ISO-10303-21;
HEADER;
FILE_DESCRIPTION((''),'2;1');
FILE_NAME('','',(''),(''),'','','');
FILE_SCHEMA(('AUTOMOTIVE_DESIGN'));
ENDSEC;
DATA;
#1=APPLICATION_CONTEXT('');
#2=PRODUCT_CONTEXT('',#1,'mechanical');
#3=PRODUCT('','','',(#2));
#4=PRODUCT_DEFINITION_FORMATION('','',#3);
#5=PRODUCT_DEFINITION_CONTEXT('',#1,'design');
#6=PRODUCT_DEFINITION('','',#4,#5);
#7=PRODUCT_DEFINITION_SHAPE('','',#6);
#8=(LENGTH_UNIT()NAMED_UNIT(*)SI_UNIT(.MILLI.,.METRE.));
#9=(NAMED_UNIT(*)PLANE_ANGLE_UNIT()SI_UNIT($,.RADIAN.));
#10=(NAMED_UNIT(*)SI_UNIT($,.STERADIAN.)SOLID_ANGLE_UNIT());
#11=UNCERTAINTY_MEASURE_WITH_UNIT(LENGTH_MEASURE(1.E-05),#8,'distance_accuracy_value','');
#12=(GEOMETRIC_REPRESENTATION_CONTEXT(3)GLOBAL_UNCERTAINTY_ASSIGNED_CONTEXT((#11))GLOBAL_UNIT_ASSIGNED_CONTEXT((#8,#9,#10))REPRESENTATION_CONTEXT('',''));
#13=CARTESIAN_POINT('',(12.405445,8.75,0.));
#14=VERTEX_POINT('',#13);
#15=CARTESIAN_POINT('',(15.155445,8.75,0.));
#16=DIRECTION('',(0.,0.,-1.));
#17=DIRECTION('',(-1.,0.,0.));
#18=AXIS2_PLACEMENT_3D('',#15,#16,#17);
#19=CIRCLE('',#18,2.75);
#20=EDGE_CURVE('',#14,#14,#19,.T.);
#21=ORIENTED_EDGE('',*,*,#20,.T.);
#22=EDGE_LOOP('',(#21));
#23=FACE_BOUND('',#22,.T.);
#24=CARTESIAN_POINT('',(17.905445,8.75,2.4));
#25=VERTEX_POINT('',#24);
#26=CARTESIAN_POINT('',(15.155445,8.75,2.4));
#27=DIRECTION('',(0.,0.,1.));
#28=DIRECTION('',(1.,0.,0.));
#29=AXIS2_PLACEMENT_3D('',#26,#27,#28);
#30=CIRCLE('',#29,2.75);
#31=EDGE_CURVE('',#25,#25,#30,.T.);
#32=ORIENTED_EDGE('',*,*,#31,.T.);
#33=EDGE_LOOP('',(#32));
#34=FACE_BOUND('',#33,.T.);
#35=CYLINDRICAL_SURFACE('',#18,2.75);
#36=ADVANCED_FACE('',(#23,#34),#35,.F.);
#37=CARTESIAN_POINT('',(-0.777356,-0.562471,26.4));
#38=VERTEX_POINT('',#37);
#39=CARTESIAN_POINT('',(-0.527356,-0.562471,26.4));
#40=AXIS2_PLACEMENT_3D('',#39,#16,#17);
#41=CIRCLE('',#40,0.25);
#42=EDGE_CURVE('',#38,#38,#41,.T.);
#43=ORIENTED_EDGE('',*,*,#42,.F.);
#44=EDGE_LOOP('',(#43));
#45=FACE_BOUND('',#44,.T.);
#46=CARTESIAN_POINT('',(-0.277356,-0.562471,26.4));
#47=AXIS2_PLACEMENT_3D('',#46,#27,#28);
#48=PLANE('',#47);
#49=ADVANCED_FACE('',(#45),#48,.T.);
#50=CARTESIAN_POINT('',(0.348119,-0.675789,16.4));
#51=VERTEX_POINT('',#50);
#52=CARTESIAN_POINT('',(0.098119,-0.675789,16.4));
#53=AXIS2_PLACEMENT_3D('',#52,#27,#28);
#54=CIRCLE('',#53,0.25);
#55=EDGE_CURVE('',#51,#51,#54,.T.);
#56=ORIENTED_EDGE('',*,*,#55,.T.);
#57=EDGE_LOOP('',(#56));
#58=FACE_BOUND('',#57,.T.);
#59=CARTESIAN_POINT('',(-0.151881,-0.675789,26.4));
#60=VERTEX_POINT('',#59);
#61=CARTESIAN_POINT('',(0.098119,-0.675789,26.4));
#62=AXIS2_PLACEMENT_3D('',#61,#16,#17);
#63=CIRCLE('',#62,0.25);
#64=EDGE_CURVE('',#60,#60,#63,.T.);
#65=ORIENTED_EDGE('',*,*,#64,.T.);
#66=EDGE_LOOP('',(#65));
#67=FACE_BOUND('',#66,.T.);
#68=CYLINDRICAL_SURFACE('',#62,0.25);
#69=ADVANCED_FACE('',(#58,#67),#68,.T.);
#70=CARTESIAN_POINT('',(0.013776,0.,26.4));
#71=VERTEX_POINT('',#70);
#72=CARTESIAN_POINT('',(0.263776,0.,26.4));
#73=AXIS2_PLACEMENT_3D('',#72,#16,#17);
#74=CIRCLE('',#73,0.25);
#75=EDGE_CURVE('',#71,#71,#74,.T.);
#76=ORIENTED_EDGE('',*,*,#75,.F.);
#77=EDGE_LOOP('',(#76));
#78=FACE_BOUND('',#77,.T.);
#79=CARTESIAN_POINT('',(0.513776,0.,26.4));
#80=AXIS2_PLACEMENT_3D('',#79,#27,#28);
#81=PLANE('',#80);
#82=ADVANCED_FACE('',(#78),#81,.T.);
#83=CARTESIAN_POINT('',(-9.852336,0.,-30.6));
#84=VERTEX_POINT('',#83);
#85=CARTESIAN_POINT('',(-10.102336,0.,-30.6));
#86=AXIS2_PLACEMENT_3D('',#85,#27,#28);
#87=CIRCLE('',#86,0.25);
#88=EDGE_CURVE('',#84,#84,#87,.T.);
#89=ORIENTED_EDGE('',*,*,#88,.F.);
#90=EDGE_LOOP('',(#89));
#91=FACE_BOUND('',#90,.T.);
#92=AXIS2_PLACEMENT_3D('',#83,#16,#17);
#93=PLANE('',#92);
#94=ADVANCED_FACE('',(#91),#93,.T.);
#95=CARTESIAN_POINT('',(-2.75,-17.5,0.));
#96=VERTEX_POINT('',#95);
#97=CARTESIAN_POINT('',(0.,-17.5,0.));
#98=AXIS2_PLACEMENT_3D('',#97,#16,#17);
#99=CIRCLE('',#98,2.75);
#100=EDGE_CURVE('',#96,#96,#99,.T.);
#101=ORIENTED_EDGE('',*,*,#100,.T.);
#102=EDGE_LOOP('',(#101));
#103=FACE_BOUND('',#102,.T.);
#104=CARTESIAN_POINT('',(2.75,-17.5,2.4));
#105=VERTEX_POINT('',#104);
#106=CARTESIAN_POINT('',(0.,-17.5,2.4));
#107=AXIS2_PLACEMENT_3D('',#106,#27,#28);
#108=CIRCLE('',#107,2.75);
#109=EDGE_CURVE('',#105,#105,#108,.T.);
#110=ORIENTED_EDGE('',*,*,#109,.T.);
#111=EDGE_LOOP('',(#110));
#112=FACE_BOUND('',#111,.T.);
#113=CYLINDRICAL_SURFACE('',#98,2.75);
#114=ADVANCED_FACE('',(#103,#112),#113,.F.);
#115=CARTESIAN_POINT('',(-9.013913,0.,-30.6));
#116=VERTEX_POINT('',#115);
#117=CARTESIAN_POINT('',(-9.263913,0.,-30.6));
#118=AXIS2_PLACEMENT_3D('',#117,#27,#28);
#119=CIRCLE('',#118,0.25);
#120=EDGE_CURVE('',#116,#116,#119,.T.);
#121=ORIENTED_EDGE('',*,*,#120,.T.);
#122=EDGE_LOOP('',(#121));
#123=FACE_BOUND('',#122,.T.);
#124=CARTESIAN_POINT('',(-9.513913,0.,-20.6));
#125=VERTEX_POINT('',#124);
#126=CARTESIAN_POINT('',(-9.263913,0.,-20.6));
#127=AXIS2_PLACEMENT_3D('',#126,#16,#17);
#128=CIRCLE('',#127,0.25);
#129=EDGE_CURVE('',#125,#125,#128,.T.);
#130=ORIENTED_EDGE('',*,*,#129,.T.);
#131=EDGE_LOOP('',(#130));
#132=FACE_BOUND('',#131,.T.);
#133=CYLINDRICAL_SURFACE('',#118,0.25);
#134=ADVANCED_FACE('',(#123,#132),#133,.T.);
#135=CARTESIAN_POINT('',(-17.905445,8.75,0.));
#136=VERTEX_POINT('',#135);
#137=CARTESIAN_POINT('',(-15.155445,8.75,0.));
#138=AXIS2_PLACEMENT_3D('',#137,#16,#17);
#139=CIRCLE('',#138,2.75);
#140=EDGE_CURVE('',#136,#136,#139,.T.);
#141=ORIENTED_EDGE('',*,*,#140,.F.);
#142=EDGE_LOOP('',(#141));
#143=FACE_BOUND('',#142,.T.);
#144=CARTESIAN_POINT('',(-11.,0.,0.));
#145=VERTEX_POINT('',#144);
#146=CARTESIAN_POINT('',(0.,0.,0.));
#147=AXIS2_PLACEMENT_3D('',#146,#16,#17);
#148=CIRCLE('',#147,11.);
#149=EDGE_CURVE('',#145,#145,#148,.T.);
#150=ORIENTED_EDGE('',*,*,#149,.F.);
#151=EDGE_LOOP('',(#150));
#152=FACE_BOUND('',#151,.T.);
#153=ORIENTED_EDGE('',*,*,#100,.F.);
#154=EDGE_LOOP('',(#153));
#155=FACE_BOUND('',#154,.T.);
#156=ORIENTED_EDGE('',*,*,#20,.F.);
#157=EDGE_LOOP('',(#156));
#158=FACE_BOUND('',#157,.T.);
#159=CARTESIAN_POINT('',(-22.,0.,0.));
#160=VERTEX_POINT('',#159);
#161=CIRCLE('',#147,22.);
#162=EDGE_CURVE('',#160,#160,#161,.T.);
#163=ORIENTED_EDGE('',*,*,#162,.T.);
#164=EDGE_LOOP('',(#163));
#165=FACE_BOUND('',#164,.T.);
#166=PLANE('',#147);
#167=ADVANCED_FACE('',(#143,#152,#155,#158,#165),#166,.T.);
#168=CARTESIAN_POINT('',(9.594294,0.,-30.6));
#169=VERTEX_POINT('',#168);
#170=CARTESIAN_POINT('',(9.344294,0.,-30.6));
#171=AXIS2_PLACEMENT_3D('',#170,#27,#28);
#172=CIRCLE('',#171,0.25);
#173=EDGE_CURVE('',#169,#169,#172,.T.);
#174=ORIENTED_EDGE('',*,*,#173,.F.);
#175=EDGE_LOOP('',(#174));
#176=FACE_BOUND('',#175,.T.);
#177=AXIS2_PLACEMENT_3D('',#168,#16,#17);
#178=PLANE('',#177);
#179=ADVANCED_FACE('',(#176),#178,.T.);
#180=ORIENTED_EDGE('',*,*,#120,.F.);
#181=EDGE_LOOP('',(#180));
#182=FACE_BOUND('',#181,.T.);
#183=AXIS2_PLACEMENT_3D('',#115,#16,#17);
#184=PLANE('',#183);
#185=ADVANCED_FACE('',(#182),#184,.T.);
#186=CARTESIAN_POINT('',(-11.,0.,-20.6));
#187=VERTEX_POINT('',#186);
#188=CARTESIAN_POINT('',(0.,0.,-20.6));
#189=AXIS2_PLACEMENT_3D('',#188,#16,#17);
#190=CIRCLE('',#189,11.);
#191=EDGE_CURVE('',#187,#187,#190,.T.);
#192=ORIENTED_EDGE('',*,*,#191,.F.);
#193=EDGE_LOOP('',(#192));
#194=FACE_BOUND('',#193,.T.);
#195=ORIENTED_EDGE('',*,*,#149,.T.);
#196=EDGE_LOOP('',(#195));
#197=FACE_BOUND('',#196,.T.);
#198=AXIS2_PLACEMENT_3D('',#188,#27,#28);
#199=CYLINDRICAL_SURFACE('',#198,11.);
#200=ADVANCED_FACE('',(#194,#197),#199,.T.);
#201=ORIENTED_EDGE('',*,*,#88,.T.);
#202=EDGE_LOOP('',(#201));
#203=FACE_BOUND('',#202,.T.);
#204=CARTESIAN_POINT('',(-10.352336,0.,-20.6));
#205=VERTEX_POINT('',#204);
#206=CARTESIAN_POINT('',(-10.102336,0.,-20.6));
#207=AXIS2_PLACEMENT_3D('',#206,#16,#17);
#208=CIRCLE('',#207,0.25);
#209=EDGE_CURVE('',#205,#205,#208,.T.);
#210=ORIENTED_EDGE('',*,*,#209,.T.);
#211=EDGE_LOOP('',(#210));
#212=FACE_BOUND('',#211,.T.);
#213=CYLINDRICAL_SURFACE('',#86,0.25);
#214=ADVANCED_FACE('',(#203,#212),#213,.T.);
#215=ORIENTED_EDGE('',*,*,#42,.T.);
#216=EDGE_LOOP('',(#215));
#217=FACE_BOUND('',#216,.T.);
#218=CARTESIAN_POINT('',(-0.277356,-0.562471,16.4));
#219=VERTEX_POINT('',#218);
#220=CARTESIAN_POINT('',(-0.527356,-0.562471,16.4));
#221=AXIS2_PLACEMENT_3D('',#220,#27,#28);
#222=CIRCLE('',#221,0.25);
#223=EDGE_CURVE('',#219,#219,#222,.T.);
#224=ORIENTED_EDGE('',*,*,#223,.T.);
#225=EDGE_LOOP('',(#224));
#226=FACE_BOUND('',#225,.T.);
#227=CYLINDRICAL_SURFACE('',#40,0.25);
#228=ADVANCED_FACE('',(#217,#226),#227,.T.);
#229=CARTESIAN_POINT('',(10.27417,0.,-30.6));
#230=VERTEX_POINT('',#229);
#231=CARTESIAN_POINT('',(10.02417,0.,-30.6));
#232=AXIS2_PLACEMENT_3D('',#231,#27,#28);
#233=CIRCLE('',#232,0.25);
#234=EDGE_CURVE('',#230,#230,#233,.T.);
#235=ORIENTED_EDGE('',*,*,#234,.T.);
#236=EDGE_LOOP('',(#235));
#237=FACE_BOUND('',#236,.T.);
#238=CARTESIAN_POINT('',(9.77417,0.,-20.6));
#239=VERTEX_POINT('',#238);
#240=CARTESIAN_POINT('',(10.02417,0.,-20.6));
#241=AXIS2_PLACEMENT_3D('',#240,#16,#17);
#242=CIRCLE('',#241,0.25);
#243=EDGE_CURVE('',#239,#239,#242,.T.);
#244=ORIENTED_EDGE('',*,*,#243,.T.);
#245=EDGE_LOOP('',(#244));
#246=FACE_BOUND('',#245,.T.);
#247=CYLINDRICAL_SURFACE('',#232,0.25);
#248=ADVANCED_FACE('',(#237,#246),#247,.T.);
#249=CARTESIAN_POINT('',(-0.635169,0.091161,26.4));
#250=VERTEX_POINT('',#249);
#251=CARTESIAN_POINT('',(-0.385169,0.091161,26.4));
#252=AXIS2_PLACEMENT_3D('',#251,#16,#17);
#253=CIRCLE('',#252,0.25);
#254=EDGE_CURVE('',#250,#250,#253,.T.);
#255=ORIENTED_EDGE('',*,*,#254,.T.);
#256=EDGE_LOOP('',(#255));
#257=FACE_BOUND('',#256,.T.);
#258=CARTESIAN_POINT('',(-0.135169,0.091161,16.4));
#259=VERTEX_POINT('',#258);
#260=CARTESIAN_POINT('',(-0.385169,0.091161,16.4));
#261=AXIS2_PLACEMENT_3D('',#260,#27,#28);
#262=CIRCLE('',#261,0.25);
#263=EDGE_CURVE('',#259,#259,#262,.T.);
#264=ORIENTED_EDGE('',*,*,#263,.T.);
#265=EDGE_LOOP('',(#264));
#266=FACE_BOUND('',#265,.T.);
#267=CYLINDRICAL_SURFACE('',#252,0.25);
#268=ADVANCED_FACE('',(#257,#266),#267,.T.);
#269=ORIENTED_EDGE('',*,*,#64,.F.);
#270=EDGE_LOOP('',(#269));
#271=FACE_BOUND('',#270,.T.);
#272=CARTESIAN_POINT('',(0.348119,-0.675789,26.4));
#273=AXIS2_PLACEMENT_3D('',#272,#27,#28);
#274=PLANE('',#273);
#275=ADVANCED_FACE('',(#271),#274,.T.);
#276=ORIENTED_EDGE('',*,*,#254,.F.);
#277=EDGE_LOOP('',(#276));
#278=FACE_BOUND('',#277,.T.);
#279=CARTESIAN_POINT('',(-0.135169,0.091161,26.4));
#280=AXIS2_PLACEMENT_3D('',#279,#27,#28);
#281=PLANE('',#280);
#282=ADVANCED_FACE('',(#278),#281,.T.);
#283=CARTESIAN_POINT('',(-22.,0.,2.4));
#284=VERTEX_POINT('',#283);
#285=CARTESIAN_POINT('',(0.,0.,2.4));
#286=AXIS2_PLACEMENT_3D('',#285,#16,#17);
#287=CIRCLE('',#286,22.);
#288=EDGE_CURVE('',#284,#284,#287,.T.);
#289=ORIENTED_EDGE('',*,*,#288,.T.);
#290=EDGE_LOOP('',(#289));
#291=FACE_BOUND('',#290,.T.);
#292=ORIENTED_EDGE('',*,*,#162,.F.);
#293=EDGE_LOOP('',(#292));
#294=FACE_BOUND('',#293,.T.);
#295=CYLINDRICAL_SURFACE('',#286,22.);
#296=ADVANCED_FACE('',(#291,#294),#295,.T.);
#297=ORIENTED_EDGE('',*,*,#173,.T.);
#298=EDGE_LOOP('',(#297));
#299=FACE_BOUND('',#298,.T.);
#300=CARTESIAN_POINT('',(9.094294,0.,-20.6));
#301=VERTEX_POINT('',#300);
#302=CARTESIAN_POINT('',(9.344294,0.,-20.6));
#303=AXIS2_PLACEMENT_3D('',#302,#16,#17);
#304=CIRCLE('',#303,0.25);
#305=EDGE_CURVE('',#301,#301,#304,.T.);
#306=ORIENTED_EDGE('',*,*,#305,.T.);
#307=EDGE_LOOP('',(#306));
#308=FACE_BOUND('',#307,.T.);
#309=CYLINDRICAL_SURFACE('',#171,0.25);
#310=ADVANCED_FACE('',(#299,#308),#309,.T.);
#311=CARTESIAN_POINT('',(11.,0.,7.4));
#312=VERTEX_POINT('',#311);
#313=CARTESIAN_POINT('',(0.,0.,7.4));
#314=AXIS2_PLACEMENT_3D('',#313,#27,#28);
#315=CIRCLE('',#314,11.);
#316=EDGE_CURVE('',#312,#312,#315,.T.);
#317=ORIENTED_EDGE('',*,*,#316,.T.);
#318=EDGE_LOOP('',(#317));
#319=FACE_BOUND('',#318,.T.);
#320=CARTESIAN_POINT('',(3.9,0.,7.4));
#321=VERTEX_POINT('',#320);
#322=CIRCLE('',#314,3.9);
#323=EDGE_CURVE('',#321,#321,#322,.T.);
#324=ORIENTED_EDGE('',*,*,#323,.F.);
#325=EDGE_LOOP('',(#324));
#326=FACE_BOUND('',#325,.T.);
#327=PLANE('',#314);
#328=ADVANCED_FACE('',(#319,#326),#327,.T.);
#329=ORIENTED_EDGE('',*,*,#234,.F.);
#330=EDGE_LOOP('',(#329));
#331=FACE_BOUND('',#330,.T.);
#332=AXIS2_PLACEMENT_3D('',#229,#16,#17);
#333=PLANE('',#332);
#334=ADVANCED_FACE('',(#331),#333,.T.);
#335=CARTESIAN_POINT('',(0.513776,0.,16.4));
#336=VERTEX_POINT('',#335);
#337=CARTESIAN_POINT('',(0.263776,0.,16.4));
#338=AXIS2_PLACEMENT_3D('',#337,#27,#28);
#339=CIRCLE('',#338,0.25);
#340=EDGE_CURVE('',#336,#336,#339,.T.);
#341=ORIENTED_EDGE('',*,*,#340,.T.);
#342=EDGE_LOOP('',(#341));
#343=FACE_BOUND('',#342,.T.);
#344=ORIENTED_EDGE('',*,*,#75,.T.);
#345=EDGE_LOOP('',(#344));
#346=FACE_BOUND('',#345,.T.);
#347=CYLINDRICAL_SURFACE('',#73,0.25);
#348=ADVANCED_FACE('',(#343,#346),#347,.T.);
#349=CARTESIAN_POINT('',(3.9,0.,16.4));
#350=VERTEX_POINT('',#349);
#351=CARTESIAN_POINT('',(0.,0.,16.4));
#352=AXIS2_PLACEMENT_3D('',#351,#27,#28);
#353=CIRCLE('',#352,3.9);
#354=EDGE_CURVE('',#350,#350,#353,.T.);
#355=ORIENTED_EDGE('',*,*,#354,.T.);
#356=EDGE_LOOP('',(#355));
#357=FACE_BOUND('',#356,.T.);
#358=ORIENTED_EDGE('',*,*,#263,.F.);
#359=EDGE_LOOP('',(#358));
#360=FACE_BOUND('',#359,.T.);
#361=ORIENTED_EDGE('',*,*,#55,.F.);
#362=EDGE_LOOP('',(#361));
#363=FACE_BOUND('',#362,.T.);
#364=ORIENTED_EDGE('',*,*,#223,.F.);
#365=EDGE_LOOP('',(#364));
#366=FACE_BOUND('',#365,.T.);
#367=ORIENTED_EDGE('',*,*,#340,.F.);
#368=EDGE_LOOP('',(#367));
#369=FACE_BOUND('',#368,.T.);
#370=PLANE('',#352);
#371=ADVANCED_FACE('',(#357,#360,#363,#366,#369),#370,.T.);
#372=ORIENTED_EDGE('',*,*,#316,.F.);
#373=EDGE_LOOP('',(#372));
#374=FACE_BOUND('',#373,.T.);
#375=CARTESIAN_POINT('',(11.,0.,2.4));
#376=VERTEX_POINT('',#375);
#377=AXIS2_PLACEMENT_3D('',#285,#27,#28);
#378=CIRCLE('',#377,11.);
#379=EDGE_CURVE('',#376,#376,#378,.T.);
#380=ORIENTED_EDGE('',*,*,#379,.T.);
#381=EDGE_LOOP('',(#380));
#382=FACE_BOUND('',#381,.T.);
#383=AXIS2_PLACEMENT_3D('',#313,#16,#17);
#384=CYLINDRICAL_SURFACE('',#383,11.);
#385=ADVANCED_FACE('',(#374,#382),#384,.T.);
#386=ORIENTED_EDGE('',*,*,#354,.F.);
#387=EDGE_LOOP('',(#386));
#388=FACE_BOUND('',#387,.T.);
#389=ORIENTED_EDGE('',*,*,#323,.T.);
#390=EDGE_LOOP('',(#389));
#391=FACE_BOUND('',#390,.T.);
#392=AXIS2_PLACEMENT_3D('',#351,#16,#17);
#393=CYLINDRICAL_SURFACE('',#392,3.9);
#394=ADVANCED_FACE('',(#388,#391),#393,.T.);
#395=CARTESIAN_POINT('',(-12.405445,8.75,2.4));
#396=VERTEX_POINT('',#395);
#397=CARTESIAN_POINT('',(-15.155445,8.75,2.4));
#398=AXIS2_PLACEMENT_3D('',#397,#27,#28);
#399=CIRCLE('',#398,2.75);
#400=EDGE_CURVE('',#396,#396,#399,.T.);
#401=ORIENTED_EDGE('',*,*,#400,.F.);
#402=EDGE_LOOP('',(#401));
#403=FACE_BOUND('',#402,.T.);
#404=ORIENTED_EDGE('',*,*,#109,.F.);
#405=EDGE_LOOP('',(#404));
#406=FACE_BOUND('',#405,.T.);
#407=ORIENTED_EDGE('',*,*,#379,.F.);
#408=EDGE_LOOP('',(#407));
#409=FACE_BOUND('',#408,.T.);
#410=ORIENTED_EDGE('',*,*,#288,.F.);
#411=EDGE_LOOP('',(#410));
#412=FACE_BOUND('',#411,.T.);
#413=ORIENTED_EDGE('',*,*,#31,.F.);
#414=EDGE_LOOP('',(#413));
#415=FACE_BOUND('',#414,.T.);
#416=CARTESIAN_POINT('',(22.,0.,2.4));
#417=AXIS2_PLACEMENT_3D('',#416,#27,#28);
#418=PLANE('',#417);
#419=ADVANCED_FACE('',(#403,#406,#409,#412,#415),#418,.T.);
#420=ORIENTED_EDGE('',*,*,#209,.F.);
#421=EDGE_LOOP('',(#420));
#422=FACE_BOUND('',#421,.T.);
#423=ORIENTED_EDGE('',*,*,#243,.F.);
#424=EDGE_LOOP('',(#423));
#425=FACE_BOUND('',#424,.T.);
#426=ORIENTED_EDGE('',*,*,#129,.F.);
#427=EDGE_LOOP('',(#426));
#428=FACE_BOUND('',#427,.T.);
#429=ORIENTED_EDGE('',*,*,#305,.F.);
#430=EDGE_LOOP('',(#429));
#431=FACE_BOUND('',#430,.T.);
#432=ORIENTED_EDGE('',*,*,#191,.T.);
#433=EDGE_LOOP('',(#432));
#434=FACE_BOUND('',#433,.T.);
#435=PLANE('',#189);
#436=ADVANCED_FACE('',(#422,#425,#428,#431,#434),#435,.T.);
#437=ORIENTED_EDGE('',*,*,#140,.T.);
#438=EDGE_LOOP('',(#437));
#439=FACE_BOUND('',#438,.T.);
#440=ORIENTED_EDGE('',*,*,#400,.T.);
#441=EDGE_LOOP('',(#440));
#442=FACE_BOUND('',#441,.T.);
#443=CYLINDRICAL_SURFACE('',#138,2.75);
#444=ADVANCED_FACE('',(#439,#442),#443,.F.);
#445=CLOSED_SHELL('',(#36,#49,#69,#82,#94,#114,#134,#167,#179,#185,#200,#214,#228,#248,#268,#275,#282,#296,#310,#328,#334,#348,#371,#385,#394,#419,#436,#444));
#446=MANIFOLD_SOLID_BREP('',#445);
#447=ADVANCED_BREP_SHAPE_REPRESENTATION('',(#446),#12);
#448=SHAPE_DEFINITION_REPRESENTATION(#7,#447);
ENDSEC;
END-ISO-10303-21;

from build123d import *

# Parameters (mm, degrees)
SKETCH1_W                      = 22
SKETCH1_H                      = 2.4
SKETCH2_R                      = 11
BOSS_EXTRUDE1_DEPTH            = 5
SKETCH3_R                      = 3.9
BOSS_EXTRUDE2_DEPTH            = 9
SKETCH4_R                      = 11
BOSS_EXTRUDE3_DEPTH            = 20.6
SKETCH5_W                      = 0.25
SKETCH5_H                      = 10
SKETCH6_W                      = 0.25
SKETCH6_H                      = 10
SKETCH7_W                      = 0.25
SKETCH7_H                      = 10
SKETCH8_W                      = 0.25
SKETCH8_H                      = 10
SKETCH9_W                      = 0.25
SKETCH9_H                      = 10
SKETCH10_W                     = 0.25
SKETCH10_H                     = 10
SKETCH11_W                     = 0.25
SKETCH11_H                     = 10
SKETCH12_W                     = 0.25
SKETCH12_H                     = 10
F_5_5_5_5_DIAMETER_HOLE1_D     = 5.5
F_5_5_5_5_DIAMETER_HOLE1_DEPTH = 26.4


with BuildPart() as part:
    # Sketch1 → Revolve1 (revolve)
    with BuildSketch(Plane.XZ):
        with Locations((11, 1.2)):
            Rectangle(SKETCH1_W, SKETCH1_H)
    revolve(axis=Axis((0, 0, 2.4), (0, 0, -1)))

    # Sketch2 → Boss-Extrude1 (add)
    with BuildSketch(Plane.XY.offset(2.4)):
        Circle(SKETCH2_R)
    extrude(amount=BOSS_EXTRUDE1_DEPTH)

    # Sketch3 → Boss-Extrude2 (add)
    with BuildSketch(Plane.XY.offset(7.4)):
        Circle(SKETCH3_R)
    extrude(amount=BOSS_EXTRUDE2_DEPTH)

    # Sketch4 → Boss-Extrude3 (add)
    with BuildSketch(Plane(origin=(0, 0, 0), x_dir=(-1, 0, 0), z_dir=(0, 0, -1))):
        Circle(SKETCH4_R)
    extrude(amount=BOSS_EXTRUDE3_DEPTH)

    # Sketch5 → Revolve2 (revolve)
    with BuildSketch(Plane.XZ.offset(0.675788748)):
        with Locations((0.22311943, 21.4)):
            Rectangle(SKETCH5_W, SKETCH5_H)
    revolve(axis=Axis((0.09811943, -0.675788748, 26.4), (0, 0, -1)))

    # Sketch6 → Revolve3 (revolve)
    with BuildSketch(Plane.XZ.offset(-0.091161083)):
        with Locations((-0.260169312, 21.4)):
            Rectangle(SKETCH6_W, SKETCH6_H)
    revolve(axis=Axis((-0.385169312, 0.091161083, 26.4), (0, 0, -1)))

    # Sketch7 → Revolve4 (revolve)
    with BuildSketch(Plane.XZ.offset(0.562471217)):
        with Locations((-0.402355812, 21.4)):
            Rectangle(SKETCH7_W, SKETCH7_H)
    revolve(axis=Axis((-0.527355812, -0.562471217, 26.4), (0, 0, -1)))

    # Sketch8 → Revolve5 (revolve)
    with BuildSketch(Plane(origin=(0, 0, 0), x_dir=(1, 0, 0), z_dir=(0, 1, 0))):
        with Locations((-9.138912968, 25.6)):
            Rectangle(SKETCH8_W, SKETCH8_H)
    revolve(axis=Axis((-9.263912968, 0, -30.6), (0, 0, 1)))

    # Sketch9 → Revolve6 (revolve)
    with BuildSketch(Plane(origin=(0, 0, 0), x_dir=(1, 0, 0), z_dir=(0, 1, 0))):
        with Locations((10.149169803, 25.6)):
            Rectangle(SKETCH9_W, SKETCH9_H)
    revolve(axis=Axis((10.024169803, 0, -30.6), (0, 0, 1)))

    # Sketch10 → Revolve7 (revolve)
    with BuildSketch(Plane(origin=(0, 0, 0), x_dir=(1, 0, 0), z_dir=(0, 1, 0))):
        with Locations((9.469293537, 25.6)):
            Rectangle(SKETCH10_W, SKETCH10_H)
    revolve(axis=Axis((9.344293537, 0, -30.6), (0, 0, 1)))

    # Sketch11 → Revolve8 (revolve)
    with BuildSketch(Plane(origin=(0, 0, 0), x_dir=(1, 0, 0), z_dir=(0, 1, 0))):
        with Locations((-9.977336314, 25.6)):
            Rectangle(SKETCH11_W, SKETCH11_H)
    revolve(axis=Axis((-10.102336314, 0, -30.6), (0, 0, 1)))

    # Sketch12 → Revolve9 (revolve)
    with BuildSketch(Plane.XZ):
        with Locations((0.388776295, 21.4)):
            Rectangle(SKETCH12_W, SKETCH12_H)
    revolve(axis=Axis((0.263776295, 0, 26.4), (0, 0, -1)))

    # Ø5.5 (5.5) Diameter Hole1
    with Locations(Plane(origin=(0, 0, 0), x_dir=(-1, 0, 0), z_dir=(0, 0, -1))):
        with Locations((-15.155444566, 8.75), (15.155444566, 8.75), (0, -17.5)):
            Hole(F_5_5_5_5_DIAMETER_HOLE1_D / 2, depth=F_5_5_5_5_DIAMETER_HOLE1_DEPTH)


solid = part.part
